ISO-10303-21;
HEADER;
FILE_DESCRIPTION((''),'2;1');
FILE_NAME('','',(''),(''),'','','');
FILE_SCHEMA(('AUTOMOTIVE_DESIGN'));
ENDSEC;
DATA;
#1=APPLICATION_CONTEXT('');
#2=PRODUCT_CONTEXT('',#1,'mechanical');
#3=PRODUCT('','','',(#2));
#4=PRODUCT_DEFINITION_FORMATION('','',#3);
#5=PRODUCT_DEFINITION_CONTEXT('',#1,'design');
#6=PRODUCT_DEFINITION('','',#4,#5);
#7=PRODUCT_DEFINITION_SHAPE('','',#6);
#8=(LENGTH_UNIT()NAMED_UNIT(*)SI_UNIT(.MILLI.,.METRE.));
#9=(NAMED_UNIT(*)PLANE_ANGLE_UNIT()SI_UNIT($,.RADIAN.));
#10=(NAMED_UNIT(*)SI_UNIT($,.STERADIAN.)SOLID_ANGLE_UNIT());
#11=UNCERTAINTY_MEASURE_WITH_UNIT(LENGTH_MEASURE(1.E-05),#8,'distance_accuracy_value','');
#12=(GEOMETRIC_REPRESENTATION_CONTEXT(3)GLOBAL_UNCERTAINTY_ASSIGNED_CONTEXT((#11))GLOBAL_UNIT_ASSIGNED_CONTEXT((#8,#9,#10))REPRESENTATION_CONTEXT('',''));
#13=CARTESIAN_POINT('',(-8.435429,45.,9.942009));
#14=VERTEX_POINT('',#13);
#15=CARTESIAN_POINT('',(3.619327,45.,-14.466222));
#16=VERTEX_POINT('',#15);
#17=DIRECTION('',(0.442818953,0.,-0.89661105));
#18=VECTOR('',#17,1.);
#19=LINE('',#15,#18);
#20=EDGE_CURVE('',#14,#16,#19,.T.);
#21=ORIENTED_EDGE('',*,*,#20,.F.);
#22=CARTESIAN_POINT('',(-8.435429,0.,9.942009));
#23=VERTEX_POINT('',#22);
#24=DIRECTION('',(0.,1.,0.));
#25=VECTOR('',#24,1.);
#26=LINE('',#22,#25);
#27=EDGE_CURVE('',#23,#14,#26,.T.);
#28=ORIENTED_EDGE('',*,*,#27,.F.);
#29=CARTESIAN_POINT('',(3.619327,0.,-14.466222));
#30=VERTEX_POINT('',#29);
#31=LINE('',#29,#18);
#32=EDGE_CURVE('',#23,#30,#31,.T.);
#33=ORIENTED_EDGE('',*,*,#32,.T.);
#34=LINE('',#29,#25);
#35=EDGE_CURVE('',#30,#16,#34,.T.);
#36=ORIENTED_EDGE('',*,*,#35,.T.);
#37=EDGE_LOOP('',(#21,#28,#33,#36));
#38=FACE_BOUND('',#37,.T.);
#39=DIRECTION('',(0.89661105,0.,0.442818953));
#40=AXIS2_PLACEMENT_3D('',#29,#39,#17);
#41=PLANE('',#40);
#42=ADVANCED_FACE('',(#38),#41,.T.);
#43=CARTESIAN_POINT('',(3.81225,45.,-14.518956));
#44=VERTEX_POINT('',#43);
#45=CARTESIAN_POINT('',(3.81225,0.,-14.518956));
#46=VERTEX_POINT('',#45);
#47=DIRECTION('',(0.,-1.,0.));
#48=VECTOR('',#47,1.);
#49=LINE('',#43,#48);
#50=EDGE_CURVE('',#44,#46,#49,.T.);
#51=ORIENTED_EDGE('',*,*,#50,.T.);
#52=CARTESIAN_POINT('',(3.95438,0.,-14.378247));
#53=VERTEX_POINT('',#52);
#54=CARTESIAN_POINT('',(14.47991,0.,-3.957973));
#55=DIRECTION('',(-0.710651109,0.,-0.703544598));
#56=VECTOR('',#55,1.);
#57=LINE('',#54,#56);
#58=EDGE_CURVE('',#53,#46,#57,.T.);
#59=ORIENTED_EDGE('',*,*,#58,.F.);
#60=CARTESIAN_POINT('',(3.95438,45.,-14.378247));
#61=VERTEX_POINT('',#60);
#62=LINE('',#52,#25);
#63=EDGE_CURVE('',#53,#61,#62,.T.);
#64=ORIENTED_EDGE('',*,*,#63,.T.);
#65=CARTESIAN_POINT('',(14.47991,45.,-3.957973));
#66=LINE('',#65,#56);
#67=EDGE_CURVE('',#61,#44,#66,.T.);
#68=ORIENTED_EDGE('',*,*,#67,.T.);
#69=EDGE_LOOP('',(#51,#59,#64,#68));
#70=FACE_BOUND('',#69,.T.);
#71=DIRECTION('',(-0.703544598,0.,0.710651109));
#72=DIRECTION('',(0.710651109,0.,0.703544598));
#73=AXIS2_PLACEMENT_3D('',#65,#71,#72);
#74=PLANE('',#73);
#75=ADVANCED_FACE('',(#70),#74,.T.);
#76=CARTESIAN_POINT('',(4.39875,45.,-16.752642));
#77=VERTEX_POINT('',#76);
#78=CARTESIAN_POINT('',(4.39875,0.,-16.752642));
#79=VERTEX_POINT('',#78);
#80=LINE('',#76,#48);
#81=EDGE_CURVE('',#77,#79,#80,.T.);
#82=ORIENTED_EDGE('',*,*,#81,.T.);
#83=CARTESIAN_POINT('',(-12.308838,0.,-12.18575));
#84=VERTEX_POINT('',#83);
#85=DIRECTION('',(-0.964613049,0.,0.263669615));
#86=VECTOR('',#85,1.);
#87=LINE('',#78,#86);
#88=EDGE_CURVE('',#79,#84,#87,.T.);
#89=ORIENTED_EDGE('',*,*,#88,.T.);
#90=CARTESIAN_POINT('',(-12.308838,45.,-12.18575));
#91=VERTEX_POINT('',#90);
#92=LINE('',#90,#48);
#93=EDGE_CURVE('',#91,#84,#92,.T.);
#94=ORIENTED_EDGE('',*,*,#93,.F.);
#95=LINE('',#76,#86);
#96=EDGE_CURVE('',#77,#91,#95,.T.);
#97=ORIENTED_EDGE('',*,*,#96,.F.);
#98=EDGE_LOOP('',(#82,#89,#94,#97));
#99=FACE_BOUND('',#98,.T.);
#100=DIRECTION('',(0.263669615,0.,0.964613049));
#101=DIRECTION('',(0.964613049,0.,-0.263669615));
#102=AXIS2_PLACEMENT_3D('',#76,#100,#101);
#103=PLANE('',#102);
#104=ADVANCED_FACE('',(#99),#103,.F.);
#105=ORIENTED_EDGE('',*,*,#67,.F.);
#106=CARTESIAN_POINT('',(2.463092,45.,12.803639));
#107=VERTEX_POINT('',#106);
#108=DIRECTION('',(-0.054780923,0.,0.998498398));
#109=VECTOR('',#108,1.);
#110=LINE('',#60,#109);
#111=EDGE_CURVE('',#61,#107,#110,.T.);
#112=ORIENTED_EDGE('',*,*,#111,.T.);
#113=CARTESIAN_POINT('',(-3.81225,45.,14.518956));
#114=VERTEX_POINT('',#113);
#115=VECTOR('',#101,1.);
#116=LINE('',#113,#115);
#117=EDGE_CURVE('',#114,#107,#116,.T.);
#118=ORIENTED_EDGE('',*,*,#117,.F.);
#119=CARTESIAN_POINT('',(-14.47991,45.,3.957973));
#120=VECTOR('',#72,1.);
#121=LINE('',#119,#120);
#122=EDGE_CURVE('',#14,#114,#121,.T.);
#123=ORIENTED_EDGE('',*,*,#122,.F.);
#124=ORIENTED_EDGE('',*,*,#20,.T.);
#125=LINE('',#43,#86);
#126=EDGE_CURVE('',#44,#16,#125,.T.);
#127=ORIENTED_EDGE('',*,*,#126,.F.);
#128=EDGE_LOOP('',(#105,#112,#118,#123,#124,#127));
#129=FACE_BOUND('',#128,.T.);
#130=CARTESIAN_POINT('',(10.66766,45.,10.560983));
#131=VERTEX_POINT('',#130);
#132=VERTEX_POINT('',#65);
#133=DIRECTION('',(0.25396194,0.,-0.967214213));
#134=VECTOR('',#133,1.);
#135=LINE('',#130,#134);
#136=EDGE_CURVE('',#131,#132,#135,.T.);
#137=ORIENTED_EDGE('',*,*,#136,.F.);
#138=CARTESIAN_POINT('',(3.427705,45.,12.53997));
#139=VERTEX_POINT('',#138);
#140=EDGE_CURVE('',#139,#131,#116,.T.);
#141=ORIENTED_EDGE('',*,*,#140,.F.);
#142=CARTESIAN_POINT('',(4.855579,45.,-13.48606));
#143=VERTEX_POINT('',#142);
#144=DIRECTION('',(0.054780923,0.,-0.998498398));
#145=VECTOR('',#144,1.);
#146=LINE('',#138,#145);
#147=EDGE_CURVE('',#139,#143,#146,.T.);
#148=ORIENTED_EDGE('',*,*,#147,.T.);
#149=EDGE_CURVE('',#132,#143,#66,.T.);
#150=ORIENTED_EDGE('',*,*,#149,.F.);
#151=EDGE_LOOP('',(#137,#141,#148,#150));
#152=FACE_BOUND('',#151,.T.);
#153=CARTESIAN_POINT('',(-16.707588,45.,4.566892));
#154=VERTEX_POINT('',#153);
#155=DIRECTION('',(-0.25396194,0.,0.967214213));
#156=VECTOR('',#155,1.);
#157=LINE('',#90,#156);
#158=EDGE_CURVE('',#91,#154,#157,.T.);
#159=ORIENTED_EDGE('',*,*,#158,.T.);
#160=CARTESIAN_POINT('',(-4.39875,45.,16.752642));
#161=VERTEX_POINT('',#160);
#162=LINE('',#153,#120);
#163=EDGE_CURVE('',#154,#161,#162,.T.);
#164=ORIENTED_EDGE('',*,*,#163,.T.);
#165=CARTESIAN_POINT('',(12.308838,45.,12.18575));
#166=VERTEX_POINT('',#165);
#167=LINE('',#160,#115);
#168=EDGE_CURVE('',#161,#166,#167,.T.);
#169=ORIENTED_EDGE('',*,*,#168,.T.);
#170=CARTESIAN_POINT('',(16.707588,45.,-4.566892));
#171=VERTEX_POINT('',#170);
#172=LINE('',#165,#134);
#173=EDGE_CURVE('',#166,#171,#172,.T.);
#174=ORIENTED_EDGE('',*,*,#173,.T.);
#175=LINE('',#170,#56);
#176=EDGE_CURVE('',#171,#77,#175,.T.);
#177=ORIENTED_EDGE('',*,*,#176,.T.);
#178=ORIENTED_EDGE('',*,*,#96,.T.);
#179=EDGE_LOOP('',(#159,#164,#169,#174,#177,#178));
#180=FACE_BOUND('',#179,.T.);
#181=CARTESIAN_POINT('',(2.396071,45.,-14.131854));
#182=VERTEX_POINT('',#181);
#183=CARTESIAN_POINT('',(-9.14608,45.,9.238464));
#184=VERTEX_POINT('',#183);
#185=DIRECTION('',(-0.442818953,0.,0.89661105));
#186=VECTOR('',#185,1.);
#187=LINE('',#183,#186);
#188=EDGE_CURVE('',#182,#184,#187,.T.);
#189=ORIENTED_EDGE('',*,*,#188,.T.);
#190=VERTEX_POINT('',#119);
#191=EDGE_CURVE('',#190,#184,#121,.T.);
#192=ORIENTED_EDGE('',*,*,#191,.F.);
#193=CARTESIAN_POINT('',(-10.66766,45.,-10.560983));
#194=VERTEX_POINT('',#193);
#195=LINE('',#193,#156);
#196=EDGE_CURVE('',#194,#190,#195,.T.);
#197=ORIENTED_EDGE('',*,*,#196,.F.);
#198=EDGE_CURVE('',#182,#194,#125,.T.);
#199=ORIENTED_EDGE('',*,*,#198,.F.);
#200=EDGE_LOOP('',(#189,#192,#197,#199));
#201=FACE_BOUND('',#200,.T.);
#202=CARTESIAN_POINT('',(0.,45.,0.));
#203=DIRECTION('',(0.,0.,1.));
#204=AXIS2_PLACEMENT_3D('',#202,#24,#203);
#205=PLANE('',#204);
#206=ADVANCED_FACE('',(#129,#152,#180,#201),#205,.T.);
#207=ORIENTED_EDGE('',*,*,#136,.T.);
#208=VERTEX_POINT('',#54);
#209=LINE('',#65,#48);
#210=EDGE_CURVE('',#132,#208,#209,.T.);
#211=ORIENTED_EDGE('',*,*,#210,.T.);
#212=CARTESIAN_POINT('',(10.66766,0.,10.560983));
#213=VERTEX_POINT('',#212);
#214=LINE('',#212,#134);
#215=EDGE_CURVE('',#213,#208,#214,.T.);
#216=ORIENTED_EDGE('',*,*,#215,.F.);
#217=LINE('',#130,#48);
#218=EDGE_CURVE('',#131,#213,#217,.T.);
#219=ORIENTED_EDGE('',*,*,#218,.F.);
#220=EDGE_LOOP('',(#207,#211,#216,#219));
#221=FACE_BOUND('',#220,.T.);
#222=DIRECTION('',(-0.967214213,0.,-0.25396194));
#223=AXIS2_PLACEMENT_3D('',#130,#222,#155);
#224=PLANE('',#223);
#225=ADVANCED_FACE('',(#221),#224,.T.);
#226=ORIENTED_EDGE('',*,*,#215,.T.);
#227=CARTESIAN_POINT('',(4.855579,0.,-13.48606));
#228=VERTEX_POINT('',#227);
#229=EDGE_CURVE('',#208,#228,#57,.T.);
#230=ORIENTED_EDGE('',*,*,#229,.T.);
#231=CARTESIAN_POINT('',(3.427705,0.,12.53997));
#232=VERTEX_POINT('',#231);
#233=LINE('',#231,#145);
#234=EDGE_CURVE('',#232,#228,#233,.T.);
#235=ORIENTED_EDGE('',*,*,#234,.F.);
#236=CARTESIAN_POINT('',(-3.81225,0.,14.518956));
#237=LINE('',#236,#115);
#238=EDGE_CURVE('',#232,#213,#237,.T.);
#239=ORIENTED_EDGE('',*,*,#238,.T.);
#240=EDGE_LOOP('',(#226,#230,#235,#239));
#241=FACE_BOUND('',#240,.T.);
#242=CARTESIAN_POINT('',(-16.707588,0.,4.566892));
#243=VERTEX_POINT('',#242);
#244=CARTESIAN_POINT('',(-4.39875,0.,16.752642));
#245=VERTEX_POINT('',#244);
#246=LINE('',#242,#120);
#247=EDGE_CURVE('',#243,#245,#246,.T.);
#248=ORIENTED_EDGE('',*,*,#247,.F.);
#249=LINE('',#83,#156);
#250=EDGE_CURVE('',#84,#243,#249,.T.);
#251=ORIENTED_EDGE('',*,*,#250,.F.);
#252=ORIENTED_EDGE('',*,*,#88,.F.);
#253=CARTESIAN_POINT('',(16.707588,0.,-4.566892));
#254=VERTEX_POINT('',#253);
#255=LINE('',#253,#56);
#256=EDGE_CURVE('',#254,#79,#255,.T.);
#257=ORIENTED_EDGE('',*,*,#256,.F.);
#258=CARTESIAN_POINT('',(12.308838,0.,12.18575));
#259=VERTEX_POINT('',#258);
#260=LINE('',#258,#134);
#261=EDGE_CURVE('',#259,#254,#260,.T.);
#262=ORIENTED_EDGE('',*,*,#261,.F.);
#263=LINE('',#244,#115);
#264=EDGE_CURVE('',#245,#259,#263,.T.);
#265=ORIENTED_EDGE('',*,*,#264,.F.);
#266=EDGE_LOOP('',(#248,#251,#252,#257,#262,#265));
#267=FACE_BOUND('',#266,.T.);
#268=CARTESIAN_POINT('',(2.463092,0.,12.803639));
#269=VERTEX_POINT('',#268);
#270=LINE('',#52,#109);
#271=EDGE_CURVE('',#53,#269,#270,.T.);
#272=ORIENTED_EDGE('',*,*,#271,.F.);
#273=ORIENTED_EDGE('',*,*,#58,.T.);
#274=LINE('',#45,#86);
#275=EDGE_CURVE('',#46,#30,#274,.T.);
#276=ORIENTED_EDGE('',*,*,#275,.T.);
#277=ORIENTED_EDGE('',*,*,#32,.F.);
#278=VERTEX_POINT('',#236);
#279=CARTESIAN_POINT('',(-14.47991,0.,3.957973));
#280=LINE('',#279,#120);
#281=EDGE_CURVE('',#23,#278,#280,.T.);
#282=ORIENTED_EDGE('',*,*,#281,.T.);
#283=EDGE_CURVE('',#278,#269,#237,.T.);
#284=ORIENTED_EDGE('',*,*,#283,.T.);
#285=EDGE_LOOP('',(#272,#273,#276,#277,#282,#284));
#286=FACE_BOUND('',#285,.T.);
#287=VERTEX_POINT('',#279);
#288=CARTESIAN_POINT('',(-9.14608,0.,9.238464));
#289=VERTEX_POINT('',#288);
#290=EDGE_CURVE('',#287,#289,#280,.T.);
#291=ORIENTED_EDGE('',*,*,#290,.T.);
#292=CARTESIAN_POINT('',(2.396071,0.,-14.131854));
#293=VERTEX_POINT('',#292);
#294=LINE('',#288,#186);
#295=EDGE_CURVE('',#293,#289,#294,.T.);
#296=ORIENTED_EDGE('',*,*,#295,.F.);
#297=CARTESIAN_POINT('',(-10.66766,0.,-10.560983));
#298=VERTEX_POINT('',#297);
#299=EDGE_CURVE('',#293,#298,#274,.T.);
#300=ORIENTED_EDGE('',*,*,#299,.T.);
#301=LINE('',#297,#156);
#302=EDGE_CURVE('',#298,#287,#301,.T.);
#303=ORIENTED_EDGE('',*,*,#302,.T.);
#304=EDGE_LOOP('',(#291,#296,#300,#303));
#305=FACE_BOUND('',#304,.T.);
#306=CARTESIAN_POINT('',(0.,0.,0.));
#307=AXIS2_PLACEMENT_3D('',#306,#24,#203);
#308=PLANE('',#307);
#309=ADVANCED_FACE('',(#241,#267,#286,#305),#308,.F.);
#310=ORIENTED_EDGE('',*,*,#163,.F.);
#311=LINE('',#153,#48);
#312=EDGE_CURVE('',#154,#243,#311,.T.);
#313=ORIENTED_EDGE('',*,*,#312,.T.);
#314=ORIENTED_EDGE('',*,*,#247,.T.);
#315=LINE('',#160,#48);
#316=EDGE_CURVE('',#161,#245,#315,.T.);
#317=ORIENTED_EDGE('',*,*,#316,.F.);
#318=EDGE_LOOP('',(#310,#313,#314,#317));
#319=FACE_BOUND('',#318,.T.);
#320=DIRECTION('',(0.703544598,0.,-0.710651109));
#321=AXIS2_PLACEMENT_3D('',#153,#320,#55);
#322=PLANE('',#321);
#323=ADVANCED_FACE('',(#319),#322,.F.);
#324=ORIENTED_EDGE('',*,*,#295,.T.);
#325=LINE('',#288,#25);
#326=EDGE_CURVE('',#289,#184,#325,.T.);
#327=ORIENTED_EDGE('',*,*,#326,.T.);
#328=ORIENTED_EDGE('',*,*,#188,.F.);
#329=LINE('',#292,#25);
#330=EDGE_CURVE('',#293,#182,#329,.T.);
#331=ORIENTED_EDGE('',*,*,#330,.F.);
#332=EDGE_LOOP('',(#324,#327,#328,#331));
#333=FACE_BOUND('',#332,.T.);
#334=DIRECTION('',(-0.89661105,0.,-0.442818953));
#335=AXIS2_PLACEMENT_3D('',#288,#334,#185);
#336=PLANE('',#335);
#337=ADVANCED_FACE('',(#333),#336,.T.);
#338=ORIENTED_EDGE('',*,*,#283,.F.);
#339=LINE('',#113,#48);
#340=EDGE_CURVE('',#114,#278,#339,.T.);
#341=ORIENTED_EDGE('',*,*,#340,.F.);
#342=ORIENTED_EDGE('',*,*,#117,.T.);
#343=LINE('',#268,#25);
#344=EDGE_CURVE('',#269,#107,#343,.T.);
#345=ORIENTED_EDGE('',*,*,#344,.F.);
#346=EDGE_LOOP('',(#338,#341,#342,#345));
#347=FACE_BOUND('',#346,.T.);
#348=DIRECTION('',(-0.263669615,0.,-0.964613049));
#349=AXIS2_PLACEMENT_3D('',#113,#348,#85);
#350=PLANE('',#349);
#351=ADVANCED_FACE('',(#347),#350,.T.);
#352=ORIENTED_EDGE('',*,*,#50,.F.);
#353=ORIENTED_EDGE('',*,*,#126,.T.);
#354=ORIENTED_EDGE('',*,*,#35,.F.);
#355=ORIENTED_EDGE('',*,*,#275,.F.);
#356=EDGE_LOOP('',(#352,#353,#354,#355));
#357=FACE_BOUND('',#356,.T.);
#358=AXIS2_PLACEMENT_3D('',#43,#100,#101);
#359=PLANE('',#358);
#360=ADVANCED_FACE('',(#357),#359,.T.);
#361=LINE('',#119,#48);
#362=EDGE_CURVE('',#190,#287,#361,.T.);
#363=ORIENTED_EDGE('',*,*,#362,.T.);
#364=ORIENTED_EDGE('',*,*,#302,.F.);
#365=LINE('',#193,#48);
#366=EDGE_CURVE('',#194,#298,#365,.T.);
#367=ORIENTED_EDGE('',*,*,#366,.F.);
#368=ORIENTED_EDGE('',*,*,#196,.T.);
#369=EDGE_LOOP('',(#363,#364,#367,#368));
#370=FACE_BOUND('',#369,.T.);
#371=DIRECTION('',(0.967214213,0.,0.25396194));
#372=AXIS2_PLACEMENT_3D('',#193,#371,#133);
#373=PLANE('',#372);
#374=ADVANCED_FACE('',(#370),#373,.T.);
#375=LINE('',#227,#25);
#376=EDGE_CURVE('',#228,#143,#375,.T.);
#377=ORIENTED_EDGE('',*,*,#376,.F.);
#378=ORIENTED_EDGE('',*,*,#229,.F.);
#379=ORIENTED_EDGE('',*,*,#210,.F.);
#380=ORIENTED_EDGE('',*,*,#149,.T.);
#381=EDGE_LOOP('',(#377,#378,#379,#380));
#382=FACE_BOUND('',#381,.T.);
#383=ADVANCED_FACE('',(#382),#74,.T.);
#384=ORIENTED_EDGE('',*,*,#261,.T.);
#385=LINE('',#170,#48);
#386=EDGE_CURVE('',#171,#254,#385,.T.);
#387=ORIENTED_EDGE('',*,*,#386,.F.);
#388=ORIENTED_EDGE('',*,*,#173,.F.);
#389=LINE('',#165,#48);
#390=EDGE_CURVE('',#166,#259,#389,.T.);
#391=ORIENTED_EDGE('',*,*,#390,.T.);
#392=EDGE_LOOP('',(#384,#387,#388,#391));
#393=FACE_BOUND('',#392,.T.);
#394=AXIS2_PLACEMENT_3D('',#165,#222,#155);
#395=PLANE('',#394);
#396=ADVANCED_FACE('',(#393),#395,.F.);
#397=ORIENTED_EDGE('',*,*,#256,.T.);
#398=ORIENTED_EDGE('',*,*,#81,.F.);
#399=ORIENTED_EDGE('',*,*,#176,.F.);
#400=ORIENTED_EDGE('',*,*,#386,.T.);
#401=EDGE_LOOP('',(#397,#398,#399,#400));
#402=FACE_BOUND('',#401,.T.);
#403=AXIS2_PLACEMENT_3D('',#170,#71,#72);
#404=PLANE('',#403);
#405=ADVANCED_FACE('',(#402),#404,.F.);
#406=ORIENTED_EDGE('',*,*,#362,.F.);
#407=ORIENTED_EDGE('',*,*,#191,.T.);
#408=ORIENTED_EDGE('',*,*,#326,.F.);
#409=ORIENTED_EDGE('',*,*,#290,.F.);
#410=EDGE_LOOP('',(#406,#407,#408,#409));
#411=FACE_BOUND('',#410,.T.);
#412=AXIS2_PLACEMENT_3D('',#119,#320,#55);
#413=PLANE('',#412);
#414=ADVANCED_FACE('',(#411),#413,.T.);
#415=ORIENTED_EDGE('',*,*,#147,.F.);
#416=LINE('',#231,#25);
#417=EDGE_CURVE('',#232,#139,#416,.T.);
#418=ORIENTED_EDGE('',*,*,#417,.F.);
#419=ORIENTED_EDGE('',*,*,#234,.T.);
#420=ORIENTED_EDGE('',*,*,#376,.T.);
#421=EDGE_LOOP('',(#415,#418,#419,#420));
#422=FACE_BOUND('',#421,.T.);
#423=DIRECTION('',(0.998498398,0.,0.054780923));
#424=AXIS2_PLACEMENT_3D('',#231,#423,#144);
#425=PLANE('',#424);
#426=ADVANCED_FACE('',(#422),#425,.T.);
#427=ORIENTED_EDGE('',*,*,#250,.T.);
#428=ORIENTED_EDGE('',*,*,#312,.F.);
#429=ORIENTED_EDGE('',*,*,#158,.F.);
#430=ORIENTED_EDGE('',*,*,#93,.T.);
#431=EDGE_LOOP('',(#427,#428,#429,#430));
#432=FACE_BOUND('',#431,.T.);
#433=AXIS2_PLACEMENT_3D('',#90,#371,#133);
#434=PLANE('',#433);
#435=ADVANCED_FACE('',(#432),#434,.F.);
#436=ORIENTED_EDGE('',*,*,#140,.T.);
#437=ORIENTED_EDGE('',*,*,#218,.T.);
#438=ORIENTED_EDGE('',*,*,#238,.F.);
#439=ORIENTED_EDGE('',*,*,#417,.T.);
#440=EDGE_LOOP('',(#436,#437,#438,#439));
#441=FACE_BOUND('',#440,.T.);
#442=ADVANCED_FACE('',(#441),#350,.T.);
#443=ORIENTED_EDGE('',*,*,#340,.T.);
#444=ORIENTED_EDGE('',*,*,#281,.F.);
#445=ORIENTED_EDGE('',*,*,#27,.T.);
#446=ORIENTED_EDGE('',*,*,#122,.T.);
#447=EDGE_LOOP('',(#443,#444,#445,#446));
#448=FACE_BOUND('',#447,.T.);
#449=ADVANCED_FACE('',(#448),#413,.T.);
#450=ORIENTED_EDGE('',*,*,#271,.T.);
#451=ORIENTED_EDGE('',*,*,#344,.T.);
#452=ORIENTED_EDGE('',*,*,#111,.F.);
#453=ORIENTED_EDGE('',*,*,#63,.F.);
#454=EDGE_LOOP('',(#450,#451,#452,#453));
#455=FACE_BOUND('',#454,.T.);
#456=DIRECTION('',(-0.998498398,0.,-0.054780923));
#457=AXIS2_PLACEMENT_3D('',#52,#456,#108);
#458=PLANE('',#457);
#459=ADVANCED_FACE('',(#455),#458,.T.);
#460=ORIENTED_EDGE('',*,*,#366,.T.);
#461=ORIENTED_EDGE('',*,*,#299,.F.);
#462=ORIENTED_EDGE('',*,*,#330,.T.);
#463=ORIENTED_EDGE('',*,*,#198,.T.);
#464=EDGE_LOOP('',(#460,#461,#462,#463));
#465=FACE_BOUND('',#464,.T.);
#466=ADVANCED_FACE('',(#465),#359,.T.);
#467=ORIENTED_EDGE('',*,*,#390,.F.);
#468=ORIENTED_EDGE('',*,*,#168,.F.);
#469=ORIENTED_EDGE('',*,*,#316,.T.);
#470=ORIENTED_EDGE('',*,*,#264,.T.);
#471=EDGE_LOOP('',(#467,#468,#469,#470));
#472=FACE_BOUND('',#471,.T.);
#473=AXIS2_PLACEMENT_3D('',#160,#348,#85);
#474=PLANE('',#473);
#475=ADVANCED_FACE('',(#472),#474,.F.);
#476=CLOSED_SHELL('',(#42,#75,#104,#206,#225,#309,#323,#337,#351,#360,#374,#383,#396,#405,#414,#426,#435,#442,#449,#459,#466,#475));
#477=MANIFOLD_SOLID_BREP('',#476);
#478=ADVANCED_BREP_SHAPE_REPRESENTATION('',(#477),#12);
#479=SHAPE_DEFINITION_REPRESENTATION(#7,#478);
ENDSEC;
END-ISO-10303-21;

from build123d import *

# Parameters (mm, degrees)
BOSS_EXTRUDE1_DEPTH = 45
BOSS_EXTRUDE2_DEPTH = 45


with BuildPart() as part:
    # Sketch1 → Boss-Extrude1 (new body)
    with BuildSketch(Plane(origin=(0, 0, 0), x_dir=(1, 0, 0), z_dir=(0, 1, 0))):
        Polygon((12.308838273, -12.18574989), (16.707588105, 4.56689169), (4.398749832, 16.75264158), (-12.308838273, 12.18574989), (-16.707588105, -4.56689169), (-4.398749832, -16.75264158), align=None)
        Polygon((-3.812249855, -14.518956036), (10.667659836, -10.560983238), (14.479909691, 3.957972798), (3.812249855, 14.518956036), (-10.667659836, 10.560983238), (-14.479909691, -3.957972798), align=None, mode=Mode.SUBTRACT)
    extrude(amount=BOSS_EXTRUDE1_DEPTH)

    # Sketch2 → Boss-Extrude2 (add)
    with BuildSketch(Plane(origin=(0, 45, 0), x_dir=(1, 0, 0), z_dir=(0, 1, 0))):
        Polygon((-9.146079773, -9.238464417), (2.396071215, 14.131854414), (3.619327245, 14.466222113), (-8.435428664, -9.942009015), align=None)
        Polygon((3.427704991, -12.539969637), (4.855579014, 13.486060169), (3.954380077, 14.378247116), (2.463091942, -12.803639252), align=None)
    extrude(amount=-BOSS_EXTRUDE2_DEPTH)


solid = part.part
